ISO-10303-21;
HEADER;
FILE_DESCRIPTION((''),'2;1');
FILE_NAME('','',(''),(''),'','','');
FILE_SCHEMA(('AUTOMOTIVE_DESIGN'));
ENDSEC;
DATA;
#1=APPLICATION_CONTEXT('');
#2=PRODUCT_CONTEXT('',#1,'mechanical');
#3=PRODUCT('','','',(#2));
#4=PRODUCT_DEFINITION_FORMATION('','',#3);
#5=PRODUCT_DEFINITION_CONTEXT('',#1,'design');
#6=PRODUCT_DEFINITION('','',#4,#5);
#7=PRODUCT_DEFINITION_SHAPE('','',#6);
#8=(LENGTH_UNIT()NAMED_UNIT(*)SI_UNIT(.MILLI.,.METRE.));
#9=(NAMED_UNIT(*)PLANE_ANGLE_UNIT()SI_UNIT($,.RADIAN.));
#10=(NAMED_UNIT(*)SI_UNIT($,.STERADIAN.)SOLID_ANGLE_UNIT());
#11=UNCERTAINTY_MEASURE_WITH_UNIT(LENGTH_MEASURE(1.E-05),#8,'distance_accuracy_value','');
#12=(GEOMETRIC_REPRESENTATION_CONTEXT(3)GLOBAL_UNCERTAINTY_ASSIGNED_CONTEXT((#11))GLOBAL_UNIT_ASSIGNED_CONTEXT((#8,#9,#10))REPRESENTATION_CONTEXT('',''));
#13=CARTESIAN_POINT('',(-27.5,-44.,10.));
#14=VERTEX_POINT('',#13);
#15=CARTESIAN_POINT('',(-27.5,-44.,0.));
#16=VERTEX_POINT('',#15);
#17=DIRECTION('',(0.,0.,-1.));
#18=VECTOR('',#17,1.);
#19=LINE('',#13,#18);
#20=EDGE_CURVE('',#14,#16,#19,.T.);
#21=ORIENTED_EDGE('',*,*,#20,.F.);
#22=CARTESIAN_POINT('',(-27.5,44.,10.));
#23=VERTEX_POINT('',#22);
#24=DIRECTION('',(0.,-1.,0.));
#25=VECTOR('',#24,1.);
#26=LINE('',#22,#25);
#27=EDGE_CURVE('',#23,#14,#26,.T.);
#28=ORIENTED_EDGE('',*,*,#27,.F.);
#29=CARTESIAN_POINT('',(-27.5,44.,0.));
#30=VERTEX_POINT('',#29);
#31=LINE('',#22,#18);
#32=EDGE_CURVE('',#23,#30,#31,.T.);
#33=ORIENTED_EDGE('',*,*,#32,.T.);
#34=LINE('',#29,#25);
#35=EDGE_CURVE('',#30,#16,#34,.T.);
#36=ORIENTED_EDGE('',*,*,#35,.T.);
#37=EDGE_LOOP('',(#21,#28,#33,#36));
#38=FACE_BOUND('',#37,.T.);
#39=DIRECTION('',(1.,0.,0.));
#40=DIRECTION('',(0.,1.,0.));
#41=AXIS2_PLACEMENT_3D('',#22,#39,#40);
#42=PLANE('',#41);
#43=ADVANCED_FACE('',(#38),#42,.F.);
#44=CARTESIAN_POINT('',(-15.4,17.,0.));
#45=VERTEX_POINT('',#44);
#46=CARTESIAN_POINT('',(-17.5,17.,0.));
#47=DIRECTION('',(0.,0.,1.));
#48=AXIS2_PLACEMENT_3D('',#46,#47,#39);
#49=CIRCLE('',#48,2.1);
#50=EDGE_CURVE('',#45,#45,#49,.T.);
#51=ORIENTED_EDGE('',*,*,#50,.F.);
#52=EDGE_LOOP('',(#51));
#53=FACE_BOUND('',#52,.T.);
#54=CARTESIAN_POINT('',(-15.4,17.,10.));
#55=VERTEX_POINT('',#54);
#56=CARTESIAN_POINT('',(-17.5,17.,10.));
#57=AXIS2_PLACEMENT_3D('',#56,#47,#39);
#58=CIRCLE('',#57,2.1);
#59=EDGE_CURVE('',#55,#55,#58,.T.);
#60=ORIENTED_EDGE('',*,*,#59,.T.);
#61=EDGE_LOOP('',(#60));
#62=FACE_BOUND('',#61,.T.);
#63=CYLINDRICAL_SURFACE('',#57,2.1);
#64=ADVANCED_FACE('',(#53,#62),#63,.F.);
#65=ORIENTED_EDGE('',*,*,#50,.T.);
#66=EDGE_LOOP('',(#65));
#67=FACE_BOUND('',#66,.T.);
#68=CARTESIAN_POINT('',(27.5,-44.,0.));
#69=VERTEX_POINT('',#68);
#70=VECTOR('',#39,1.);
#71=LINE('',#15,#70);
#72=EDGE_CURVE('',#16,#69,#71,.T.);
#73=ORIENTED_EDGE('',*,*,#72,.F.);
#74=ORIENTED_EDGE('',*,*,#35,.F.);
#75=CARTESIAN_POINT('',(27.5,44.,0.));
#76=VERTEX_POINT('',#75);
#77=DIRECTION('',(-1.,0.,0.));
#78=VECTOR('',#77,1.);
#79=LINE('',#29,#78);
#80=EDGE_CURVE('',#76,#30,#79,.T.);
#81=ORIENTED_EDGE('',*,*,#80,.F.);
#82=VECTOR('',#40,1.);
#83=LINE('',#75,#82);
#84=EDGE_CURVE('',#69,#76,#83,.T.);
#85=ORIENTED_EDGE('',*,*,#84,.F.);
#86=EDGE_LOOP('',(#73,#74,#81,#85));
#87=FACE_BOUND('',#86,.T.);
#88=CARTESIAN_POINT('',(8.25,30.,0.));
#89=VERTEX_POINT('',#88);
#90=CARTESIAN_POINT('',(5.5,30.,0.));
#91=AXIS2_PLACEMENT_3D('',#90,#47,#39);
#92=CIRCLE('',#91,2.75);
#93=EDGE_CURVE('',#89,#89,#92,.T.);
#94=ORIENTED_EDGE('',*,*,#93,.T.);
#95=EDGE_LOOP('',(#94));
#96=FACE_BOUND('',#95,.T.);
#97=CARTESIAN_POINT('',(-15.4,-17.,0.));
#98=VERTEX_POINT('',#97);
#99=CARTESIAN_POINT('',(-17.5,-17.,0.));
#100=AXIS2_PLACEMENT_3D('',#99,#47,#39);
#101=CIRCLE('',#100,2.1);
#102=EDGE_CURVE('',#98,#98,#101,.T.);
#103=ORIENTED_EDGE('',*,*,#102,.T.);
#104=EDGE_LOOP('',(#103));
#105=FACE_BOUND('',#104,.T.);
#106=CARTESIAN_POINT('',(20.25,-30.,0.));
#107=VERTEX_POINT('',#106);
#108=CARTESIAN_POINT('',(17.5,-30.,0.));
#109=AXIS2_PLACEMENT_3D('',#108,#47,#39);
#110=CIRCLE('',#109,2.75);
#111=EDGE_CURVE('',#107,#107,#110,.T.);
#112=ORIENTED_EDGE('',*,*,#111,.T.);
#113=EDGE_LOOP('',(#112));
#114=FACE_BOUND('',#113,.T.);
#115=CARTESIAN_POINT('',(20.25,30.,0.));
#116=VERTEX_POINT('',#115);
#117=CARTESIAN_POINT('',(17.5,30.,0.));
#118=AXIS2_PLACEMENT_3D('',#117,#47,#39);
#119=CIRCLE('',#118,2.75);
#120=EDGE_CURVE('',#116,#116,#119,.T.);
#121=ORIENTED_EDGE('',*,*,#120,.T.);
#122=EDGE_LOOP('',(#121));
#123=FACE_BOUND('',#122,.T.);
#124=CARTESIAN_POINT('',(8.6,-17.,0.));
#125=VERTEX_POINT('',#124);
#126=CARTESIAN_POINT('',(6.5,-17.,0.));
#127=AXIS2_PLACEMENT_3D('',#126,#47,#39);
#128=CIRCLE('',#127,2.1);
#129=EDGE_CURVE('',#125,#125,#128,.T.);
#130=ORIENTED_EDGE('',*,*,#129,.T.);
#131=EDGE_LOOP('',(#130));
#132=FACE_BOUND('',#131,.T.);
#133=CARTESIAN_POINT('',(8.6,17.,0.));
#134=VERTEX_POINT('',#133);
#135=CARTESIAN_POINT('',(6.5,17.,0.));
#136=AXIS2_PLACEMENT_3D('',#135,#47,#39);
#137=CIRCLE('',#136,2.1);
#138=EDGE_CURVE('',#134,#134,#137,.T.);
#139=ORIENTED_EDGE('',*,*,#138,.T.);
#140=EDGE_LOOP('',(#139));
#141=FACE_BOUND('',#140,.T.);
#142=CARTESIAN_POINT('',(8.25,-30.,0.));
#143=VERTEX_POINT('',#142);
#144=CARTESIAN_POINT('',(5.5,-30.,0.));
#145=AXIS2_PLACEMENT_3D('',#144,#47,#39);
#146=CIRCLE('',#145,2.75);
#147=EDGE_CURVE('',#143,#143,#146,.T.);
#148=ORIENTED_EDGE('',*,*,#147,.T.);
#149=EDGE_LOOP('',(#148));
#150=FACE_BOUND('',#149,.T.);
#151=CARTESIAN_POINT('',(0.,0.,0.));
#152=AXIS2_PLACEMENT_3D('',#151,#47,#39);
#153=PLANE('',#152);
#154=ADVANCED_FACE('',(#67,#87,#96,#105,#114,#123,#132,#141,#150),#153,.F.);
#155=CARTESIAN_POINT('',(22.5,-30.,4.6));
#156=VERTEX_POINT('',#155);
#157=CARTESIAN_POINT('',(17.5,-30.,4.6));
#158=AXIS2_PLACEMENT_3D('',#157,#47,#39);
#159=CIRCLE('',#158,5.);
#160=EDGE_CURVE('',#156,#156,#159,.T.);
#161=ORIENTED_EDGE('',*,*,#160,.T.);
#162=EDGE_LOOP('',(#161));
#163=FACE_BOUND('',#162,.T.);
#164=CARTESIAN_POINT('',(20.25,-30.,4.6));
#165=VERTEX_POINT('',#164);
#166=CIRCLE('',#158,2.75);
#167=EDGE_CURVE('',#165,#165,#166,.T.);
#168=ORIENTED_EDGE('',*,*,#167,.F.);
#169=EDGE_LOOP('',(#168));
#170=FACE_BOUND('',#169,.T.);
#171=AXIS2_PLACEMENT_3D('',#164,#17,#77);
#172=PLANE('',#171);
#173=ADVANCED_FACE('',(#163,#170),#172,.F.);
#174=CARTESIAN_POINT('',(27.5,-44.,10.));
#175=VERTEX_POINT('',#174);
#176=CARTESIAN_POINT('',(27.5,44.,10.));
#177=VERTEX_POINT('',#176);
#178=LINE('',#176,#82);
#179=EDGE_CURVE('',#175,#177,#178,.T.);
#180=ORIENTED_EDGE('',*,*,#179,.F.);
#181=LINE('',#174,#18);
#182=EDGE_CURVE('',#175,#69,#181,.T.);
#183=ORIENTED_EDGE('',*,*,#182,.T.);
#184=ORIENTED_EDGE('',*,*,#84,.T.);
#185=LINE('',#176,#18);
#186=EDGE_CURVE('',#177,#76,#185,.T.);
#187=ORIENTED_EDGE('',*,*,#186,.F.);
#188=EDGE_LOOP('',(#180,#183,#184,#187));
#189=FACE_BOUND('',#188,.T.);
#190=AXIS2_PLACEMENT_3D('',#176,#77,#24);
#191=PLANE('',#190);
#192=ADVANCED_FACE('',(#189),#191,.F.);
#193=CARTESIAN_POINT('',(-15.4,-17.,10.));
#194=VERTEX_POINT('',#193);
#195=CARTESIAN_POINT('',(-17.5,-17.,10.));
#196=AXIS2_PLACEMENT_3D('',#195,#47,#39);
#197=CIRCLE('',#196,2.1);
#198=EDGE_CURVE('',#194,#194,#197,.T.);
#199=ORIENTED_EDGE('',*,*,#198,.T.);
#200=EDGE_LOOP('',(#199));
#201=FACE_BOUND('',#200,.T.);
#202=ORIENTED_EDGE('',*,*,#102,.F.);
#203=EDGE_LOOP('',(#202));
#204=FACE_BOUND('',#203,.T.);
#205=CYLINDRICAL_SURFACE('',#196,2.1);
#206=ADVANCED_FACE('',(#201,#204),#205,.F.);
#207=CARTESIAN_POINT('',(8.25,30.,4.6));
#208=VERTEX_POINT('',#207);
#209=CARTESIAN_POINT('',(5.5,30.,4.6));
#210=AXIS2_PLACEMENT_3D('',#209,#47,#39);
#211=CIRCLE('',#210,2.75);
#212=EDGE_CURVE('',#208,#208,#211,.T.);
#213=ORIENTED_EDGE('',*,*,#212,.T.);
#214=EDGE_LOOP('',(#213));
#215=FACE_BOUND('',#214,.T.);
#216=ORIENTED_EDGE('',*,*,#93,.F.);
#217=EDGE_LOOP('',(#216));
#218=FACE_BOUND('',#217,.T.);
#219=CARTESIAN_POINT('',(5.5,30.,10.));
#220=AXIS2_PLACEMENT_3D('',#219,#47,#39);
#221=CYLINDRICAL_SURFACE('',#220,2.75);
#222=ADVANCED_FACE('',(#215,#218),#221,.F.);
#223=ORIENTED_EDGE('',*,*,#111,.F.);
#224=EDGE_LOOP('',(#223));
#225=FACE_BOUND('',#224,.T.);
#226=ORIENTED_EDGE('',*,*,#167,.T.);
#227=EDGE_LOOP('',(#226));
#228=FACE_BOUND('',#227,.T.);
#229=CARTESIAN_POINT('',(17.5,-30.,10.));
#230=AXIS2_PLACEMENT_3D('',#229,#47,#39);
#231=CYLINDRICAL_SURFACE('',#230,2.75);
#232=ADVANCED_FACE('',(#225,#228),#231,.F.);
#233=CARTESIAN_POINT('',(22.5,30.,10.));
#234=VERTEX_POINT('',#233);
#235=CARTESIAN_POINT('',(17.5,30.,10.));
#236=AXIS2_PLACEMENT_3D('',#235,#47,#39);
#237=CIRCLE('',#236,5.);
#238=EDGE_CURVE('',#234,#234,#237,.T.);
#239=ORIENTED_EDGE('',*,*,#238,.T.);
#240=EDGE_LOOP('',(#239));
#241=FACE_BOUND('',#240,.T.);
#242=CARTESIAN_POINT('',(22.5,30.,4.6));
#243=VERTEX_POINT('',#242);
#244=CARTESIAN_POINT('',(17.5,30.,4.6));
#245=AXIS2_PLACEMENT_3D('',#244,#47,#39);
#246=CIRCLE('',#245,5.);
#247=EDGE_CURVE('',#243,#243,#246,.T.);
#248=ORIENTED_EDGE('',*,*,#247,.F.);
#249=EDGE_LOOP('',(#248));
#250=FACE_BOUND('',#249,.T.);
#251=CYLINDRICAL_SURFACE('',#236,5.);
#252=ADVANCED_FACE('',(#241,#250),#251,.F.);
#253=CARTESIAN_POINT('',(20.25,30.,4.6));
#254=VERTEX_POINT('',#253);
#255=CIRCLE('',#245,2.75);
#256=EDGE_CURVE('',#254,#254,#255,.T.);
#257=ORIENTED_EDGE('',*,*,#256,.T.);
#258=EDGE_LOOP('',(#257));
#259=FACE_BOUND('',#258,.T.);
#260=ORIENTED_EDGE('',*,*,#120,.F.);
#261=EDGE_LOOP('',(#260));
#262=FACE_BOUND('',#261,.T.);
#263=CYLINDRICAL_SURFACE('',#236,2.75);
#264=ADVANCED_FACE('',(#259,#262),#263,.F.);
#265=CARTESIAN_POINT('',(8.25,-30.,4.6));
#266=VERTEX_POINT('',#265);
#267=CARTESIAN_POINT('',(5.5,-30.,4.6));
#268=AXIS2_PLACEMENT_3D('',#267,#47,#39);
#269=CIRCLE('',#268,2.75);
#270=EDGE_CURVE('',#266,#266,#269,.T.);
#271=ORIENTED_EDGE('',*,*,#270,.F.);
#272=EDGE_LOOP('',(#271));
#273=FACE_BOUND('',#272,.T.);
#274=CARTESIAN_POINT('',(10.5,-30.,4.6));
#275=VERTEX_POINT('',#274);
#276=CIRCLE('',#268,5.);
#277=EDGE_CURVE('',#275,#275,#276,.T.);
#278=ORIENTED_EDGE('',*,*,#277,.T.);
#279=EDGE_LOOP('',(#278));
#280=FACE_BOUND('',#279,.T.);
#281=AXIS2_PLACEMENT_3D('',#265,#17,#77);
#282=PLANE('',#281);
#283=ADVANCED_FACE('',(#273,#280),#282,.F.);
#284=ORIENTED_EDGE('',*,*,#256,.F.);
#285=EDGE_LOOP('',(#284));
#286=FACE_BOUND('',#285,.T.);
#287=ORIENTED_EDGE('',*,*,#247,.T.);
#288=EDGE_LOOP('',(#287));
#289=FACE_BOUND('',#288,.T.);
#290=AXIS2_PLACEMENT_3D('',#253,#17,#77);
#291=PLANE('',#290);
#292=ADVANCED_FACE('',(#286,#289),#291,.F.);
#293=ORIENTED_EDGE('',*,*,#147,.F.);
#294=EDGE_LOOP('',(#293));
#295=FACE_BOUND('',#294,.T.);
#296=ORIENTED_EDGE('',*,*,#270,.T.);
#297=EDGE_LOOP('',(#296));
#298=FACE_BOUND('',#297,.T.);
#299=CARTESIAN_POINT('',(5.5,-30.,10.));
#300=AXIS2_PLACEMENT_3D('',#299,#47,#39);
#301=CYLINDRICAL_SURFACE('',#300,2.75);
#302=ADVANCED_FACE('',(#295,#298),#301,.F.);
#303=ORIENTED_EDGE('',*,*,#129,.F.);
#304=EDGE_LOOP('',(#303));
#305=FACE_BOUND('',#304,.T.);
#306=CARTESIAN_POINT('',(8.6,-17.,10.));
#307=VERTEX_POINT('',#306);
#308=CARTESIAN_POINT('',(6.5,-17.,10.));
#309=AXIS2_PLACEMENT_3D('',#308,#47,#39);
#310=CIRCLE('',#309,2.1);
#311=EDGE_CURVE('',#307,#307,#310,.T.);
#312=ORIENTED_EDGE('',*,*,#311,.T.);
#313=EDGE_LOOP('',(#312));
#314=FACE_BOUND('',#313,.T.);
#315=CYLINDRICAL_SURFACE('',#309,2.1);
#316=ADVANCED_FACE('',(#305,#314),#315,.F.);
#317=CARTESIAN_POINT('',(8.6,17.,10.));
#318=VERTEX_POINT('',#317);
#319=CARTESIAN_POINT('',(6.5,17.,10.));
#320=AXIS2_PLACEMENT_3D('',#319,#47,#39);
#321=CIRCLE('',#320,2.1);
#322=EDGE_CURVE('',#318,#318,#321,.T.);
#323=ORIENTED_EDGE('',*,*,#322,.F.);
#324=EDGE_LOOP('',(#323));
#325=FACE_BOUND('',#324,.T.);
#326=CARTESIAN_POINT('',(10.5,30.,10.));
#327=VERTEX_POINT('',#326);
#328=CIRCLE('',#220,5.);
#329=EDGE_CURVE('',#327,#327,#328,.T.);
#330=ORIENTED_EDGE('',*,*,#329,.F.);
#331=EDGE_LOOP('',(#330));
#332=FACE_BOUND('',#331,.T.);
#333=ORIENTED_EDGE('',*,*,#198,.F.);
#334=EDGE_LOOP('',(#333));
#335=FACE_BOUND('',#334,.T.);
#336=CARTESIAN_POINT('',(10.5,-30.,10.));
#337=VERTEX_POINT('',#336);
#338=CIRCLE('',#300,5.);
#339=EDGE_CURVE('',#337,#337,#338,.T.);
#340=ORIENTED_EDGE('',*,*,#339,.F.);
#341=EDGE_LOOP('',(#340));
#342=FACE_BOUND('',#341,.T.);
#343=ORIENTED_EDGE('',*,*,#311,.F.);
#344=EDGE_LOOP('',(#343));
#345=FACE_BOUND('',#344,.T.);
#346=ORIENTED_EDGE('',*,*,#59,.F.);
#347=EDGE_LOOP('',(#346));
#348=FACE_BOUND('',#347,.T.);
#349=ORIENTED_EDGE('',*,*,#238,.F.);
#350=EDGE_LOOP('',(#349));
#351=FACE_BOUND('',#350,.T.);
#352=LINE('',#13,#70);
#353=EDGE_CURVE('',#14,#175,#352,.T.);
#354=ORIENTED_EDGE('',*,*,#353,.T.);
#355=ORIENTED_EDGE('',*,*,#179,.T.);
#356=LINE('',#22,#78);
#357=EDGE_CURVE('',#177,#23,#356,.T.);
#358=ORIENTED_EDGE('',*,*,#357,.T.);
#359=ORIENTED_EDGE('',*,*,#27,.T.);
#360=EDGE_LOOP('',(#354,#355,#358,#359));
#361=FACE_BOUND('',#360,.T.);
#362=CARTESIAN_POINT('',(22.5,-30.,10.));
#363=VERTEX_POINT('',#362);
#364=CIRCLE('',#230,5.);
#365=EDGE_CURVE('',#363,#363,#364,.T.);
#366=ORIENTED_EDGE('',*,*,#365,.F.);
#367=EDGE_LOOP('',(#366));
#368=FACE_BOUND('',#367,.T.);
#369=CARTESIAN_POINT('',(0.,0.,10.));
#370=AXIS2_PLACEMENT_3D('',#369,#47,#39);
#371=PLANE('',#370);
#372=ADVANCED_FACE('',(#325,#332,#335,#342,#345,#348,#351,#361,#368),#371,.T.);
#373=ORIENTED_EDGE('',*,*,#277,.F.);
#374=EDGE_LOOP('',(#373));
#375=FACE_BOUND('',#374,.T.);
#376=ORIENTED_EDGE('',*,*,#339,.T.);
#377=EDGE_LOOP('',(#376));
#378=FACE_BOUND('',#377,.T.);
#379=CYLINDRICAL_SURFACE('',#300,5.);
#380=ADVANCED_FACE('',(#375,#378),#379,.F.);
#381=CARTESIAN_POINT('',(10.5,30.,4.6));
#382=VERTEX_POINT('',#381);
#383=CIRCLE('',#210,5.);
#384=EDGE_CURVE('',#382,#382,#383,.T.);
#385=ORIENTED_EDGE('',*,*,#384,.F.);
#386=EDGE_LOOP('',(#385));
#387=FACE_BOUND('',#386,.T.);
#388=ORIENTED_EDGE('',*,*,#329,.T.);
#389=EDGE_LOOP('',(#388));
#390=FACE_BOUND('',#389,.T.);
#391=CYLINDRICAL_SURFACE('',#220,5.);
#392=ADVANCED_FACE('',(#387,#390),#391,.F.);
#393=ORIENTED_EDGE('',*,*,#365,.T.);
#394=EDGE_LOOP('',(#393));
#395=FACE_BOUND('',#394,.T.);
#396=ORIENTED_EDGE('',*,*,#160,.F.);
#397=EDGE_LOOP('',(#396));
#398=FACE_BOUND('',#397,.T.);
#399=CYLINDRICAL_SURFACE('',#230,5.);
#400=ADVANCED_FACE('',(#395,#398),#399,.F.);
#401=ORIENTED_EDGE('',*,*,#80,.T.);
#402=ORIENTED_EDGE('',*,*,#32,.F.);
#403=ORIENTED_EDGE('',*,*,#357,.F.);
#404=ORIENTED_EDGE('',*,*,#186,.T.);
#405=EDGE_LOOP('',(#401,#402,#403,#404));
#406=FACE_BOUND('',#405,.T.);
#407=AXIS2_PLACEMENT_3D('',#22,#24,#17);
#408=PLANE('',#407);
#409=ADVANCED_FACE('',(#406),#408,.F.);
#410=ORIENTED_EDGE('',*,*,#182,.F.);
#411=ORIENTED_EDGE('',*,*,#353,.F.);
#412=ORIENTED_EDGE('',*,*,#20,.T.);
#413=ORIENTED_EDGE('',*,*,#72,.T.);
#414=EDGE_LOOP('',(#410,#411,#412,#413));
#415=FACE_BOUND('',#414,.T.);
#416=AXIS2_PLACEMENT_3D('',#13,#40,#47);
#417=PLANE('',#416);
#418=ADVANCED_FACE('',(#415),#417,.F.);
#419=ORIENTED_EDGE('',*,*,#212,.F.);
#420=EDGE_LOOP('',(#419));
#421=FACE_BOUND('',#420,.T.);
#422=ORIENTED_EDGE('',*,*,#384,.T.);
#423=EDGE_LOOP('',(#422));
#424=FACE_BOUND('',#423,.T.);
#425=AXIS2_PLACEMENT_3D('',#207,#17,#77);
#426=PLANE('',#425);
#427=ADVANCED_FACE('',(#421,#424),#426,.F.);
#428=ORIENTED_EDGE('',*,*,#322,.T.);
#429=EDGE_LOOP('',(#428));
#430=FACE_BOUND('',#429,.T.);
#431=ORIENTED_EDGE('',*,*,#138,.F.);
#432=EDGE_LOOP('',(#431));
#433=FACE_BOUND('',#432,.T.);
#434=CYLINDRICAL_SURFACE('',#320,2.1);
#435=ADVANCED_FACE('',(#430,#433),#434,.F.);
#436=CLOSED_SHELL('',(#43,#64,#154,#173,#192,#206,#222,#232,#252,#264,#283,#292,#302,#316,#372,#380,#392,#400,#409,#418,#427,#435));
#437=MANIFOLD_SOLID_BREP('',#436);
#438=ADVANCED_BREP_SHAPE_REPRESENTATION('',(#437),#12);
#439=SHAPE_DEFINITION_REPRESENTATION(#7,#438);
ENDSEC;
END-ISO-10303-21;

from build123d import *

# Parameters (mm, degrees)
SKETCH1_W                                           = 55
SKETCH1_H                                           = 88
BOSS_EXTRUDE1_DEPTH                                 = 10
M5_TAPPED_HOLE1_D                                   = 4.2
CBORE_FOR_M5_HEX_SOCKET_HEAD_CAP_SCREW1_D           = 5.5
CBORE_FOR_M5_HEX_SOCKET_HEAD_CAP_SCREW1_CBORE_D     = 10
CBORE_FOR_M5_HEX_SOCKET_HEAD_CAP_SCREW1_CBORE_DEPTH = 5.4


with BuildPart() as part:
    # Sketch1 → Boss-Extrude1 (new body)
    with BuildSketch(Plane.XY):
        Rectangle(SKETCH1_W, SKETCH1_H)
    extrude(amount=BOSS_EXTRUDE1_DEPTH)

    # M5 Tapped Hole1 (through all)
    with Locations(Plane.XY.offset(10)):
        with Locations((-17.5, 17), (6.5, 17), (-17.5, -17), (6.5, -17)):
            Hole(M5_TAPPED_HOLE1_D / 2)

    # CBORE for M5 Hex Socket Head Cap Screw1 (through all)
    with Locations(Plane.XY.offset(10)):
        with Locations((5.5, 30), (17.5, 30), (17.5, -30), (5.5, -30)):
            CounterBoreHole(CBORE_FOR_M5_HEX_SOCKET_HEAD_CAP_SCREW1_D / 2, CBORE_FOR_M5_HEX_SOCKET_HEAD_CAP_SCREW1_CBORE_D / 2, CBORE_FOR_M5_HEX_SOCKET_HEAD_CAP_SCREW1_CBORE_DEPTH)


solid = part.part
